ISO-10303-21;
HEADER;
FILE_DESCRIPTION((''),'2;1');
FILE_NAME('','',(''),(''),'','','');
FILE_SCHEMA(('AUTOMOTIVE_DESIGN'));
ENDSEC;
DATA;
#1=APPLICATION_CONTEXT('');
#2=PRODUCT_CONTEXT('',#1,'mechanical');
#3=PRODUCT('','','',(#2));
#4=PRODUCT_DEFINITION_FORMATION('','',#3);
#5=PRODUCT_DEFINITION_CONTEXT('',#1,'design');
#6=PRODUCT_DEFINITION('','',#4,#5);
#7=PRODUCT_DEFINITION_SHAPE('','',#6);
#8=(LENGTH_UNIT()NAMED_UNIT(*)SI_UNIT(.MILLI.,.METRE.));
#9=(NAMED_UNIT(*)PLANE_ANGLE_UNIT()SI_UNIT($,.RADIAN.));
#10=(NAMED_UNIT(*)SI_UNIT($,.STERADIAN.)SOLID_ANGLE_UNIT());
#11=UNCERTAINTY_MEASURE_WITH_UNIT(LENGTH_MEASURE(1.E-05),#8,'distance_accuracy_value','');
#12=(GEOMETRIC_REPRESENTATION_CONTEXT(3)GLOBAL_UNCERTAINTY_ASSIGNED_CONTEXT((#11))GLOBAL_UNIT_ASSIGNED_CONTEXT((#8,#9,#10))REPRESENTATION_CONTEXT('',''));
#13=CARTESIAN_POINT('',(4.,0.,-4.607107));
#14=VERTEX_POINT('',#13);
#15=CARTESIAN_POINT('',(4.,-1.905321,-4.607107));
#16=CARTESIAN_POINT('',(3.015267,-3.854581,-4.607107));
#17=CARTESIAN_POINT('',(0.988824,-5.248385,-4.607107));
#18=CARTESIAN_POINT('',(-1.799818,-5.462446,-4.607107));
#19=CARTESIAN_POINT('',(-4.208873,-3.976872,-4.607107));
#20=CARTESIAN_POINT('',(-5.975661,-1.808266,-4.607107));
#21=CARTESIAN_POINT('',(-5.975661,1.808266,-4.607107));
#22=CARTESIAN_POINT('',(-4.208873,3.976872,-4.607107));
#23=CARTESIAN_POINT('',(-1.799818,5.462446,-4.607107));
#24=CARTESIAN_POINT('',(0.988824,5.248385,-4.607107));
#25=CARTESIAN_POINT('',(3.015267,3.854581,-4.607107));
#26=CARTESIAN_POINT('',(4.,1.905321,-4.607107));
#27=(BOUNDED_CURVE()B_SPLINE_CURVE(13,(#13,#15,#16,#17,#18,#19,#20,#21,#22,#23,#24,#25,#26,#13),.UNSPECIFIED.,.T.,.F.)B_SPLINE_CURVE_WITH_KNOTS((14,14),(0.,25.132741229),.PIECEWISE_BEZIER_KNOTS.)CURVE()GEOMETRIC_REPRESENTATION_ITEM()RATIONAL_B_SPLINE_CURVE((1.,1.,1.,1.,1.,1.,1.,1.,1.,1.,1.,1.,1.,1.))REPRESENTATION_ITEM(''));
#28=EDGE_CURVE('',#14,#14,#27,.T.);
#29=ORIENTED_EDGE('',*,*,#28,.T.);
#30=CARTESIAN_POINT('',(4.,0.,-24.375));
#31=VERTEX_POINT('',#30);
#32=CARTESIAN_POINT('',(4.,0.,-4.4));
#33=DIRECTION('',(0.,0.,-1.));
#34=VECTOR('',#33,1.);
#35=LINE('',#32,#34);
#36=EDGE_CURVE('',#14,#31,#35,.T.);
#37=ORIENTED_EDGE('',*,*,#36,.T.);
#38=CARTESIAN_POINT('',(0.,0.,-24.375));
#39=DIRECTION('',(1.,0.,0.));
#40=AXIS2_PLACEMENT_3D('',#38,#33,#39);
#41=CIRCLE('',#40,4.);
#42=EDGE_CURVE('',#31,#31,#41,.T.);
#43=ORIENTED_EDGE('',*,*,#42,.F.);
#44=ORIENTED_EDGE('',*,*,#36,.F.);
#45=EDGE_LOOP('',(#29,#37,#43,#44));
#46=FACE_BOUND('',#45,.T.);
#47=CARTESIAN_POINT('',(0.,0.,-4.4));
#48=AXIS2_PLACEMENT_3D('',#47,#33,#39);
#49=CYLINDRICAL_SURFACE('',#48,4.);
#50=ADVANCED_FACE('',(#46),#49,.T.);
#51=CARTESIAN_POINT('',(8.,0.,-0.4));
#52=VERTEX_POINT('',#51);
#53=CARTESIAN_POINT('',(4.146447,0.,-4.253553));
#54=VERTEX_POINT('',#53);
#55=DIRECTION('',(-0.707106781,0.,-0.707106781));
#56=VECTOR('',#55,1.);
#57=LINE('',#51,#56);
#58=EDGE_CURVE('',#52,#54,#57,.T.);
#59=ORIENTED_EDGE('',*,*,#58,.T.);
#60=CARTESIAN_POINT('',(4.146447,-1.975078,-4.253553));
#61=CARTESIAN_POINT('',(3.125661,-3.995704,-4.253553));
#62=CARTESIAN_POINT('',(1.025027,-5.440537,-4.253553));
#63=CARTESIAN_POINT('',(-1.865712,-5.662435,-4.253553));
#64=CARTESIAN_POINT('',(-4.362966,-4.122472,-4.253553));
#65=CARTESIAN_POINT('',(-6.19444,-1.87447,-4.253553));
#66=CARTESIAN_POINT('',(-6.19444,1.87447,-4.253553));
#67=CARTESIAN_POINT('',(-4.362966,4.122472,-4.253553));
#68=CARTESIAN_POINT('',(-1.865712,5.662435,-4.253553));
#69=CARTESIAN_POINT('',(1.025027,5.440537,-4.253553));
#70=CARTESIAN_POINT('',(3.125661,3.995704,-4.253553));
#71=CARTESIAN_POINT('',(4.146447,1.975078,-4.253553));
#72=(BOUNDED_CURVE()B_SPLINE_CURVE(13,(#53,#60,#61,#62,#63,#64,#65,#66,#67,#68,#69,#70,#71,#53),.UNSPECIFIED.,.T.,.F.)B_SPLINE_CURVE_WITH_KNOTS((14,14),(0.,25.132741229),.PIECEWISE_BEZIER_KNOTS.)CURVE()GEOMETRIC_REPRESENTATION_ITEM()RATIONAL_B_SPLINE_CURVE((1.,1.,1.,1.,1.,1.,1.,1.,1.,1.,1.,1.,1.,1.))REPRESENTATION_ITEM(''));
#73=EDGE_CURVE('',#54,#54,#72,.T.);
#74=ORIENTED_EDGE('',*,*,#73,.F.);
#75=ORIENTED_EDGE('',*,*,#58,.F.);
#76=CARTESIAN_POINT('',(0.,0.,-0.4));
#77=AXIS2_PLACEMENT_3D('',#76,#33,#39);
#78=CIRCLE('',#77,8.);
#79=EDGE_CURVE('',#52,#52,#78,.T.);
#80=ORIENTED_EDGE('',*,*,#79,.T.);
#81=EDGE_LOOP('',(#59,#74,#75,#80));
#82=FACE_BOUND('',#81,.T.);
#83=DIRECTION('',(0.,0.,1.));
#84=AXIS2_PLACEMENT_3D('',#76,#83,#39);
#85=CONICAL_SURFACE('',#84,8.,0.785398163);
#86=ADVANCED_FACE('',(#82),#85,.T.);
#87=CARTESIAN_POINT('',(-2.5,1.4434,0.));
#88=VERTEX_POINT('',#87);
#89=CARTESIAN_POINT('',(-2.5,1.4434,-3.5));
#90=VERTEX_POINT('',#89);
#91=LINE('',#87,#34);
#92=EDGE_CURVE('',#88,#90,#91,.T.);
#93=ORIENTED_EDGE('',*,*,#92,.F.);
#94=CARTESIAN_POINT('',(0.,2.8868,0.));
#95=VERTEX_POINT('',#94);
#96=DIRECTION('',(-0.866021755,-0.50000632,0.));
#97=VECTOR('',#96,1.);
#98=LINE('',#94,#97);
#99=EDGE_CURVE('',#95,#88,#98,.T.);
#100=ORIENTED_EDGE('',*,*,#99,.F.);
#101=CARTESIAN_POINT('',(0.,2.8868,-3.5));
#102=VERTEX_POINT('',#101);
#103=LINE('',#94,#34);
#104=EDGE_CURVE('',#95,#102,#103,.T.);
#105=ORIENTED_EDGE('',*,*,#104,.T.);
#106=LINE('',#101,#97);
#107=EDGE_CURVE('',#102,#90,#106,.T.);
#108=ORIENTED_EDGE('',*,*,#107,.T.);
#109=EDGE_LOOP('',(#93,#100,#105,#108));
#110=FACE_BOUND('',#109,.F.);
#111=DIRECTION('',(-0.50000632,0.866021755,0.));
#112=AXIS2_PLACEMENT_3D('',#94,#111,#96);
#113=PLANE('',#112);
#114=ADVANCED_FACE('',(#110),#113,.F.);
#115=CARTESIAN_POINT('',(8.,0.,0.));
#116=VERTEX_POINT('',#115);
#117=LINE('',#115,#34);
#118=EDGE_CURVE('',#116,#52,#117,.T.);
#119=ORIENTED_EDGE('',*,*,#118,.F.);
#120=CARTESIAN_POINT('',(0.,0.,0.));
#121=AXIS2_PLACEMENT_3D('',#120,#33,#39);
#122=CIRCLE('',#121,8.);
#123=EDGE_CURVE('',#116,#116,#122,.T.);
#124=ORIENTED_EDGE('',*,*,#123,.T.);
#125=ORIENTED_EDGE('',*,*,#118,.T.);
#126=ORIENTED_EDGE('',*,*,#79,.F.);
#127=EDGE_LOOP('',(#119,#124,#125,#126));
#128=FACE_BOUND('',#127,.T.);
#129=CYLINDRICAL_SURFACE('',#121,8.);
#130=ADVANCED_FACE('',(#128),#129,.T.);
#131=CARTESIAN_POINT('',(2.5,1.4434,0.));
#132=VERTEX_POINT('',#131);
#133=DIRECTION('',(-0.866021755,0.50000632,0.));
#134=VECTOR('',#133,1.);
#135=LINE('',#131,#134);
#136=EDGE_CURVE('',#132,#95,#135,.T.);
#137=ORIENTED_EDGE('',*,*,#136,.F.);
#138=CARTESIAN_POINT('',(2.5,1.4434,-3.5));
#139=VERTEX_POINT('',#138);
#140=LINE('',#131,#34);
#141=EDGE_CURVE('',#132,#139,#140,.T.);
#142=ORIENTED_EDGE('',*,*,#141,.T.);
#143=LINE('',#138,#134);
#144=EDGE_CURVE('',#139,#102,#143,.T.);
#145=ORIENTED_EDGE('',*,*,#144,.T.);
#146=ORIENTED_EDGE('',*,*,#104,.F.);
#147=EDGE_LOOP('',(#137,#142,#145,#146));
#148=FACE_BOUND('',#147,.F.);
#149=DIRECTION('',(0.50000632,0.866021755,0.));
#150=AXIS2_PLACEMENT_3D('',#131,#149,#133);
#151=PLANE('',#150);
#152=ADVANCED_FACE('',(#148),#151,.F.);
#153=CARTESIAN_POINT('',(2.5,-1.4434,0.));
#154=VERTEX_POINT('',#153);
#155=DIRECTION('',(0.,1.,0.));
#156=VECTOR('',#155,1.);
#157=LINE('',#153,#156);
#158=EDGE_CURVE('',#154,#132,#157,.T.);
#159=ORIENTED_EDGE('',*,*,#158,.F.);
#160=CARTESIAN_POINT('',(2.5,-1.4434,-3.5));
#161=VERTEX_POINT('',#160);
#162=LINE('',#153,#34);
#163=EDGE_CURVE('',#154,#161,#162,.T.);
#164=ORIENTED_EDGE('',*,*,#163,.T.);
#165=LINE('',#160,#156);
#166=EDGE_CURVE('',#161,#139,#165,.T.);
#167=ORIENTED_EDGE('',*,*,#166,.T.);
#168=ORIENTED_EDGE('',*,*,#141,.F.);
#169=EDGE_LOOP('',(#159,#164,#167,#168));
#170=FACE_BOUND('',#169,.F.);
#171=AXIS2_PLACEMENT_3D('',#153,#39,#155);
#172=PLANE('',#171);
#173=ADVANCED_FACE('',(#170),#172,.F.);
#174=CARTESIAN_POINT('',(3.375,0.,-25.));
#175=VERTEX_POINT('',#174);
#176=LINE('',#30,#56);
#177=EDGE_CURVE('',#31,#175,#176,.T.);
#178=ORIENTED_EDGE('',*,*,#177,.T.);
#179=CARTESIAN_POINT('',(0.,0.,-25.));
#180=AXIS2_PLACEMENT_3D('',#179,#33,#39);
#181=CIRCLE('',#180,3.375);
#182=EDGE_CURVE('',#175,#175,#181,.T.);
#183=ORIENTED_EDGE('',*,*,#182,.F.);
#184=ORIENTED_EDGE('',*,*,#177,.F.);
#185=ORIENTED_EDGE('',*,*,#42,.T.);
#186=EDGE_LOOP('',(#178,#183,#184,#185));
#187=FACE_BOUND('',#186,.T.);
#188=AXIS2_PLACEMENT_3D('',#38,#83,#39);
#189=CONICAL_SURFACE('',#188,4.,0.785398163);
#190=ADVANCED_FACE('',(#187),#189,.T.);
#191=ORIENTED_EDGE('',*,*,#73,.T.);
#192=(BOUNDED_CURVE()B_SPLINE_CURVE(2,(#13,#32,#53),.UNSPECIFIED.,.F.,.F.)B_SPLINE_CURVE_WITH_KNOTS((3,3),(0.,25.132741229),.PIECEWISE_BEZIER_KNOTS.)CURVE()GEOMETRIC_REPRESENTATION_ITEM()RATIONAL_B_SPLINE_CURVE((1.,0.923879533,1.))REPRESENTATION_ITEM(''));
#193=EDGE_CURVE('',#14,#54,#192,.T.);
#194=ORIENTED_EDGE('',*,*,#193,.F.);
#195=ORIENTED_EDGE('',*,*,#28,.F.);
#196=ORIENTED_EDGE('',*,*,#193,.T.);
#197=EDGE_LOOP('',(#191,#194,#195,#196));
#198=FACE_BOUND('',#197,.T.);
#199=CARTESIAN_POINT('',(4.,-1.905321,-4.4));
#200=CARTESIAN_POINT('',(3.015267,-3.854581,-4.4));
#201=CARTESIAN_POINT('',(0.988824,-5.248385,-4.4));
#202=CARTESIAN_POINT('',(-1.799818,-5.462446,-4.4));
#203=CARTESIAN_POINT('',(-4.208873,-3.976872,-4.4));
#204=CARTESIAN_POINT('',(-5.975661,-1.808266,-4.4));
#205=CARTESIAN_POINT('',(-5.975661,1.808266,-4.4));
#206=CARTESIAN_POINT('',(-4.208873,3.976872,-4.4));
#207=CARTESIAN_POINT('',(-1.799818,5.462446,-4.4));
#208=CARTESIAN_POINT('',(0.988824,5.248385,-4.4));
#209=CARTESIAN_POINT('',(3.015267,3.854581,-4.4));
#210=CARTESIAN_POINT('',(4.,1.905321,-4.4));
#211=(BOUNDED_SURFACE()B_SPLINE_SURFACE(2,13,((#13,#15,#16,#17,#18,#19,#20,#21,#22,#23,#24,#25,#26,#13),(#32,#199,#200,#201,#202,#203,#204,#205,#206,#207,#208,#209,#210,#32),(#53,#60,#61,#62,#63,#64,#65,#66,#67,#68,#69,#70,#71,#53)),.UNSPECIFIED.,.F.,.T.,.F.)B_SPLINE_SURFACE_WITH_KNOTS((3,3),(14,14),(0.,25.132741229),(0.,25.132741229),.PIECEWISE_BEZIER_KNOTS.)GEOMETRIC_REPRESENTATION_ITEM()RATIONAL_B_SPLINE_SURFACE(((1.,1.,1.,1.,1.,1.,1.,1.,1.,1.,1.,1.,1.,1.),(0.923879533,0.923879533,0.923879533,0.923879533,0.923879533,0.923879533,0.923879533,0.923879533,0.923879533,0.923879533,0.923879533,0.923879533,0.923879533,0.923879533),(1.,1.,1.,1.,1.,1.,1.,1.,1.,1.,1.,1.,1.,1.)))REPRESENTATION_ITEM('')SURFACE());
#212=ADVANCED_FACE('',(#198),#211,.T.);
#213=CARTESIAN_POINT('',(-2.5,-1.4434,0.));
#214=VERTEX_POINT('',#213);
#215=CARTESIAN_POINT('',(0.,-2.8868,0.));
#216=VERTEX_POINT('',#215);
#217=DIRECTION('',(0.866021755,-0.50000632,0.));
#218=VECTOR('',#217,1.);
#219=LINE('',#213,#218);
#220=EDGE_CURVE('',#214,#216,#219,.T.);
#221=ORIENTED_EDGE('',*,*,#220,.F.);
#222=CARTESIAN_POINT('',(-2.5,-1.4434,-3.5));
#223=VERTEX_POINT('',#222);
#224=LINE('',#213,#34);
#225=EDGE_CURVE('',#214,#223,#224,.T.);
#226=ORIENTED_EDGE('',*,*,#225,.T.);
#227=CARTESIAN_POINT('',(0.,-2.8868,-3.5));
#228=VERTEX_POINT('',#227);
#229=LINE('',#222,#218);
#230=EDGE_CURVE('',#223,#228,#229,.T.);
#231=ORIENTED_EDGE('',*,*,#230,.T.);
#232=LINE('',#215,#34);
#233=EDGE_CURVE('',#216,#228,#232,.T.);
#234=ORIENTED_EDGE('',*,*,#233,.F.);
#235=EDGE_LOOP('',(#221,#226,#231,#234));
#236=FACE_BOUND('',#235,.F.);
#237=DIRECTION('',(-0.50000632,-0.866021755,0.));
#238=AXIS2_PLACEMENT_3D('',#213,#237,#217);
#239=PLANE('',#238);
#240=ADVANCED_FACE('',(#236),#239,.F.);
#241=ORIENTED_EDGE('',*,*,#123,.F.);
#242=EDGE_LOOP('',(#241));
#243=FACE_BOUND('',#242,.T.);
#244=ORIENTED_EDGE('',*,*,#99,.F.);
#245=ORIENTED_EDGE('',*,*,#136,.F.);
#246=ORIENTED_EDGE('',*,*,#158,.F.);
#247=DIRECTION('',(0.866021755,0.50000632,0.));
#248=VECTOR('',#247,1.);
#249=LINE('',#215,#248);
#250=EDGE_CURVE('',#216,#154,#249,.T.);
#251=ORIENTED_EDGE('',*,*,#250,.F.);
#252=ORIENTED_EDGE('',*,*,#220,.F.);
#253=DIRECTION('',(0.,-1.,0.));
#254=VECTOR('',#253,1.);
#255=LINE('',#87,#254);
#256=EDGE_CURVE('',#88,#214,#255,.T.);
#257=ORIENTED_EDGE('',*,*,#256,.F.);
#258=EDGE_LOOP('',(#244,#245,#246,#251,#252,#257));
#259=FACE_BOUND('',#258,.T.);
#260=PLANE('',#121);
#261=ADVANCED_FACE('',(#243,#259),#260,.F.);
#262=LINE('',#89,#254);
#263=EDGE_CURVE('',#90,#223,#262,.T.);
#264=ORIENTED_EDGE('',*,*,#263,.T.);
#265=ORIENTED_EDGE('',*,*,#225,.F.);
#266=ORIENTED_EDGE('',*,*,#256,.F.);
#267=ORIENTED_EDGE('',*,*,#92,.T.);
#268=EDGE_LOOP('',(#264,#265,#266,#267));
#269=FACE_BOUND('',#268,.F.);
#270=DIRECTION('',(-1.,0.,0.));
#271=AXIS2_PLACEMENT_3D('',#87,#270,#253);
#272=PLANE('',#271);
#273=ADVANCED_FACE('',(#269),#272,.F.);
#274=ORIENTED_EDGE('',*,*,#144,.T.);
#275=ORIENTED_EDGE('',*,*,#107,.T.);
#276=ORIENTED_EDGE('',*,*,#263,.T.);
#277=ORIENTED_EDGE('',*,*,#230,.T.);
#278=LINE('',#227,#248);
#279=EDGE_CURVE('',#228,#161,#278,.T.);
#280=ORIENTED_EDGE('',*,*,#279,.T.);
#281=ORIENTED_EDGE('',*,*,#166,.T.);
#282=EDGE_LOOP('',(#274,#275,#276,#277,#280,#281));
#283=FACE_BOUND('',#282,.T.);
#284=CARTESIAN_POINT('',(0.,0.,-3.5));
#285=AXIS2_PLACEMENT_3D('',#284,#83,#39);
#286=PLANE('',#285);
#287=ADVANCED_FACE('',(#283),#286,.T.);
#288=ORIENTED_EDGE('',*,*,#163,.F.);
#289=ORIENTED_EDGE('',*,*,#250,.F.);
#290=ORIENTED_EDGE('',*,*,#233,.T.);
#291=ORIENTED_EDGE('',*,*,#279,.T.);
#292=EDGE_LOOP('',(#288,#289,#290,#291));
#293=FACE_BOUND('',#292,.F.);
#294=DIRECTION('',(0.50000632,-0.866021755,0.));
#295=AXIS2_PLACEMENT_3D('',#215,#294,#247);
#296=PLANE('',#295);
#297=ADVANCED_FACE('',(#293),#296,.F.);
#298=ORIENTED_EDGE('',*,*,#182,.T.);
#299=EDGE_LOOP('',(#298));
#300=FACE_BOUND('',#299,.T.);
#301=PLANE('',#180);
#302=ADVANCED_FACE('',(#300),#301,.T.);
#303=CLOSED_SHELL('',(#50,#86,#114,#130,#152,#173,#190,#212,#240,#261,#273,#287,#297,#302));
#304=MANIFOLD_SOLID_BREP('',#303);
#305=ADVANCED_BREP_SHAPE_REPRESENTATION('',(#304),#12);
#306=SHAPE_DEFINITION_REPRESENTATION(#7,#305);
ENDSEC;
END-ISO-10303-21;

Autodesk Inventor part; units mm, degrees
ref_plane "YZ Plane" through (0, 0, 0) normal (1, 0, 0) x (0, 1, 0)
sketch "Sketch1" plane through (0, 0, 0) normal (0, 1, 0) x (-1, 0, 0)
  point P0 (0, 0)
sketch "Sketch2" plane through (0, 0, 0) normal (0, 1, 0) x (-1, 0, 0)
  line L0 (-4, -25) -> (0, -25)
  line L1 (-4, -4.4) -> (-4, -25)
  line L2 (-8, -0.4) -> (-4, -4.4)
  line L3 (-8, 0) -> (-8, -0.4)
  line L4 (0, 0) -> (-8, 0)
  line L5 (0, -25) -> (0, 0)
  line L6 (0, -25) -> (0, 0)
  line L7 (0, -30) -> (0, 5) projected
  line L8 (1.6, 0) -> (-9.6, 0) projected
  dimension "d3" = 8
  dimension "d5" = 4
  dimension "d7" = 25
  dimension "ParC" = 0.4
  dimension "d22" = 0
  dimension "d23" = 0
  dimension "d43" = 45
revolve "Revolution1" add sketch "Sketch2" angle 360 about axis through (0, 0, -25) along (0, 0, -1)
sketch "Sketch3" plane through (0, 0, 0) normal (0, 0, 1) x (1, 0, 0)
  line L0 (-2.5, 1.4434) -> (-2.5, -1.4434)
  line L1 (0, 2.8868) -> (-2.5, 1.4434)
  line L2 (2.5, 1.4434) -> (0, 2.8868)
  line L3 (2.5, -1.4434) -> (2.5, 1.4434)
  line L4 (0, -2.8868) -> (2.5, -1.4434)
  line L5 (-2.5, -1.4434) -> (0, -2.8868)
  circle A0 centre (0, 0) radius 2.5 construction
  circle A1 centre (0, 0) radius 4 construction
  dimension "d11" = 5
  dimension "d13" = 120
  dimension "d15" = 120
extrude "Extrusion1" cut sketch "Sketch3" against normal blind 3.5
fillet "Fillet1" radius 0.5 1 edges at (-4, 0, -4.4)
chamfer "Chamfer1" distance 0.625 angle 45 1 edges at (-4, 0, -25) measured on face at (-0.9596, 3.8832, -18.2024)
thread "Thread1" size "M8x1.25" class "6g" standard "ISO Metric profile" length 18.1
ref_plane "MSC_PF1" through (0, 0, 0) normal (1, 0, 0) x (0, 1, 0)
ref_plane "MSC_PT1" through (0, 0, 0) normal (0, 0, -1) x (-1, 0, 0)
equation "\"d3\" = 0.5 * dk"
equation "\"d5\" = 0.5 * NND"
equation "\"d7\" = NLG"
equation "\"d43\" = 0.5 * ang"
equation "\"d18\" = r"
equation "\"d19\" = 0.5 * PTC"
equation "\"d39\" = 0.5 * PTC"
equation "\"d11\" = ParS"
equation "\"d16\" = ParT"
equation "\"NND\" = 8"
equation "\"PTC\" = 1.25"
equation "\"dk\" = 16"
equation "\"ParK\" = 4.4"
equation "\"ParS\" = 5"
equation "\"ParT\" = 3.5"
equation "\"r\" = 0.5"
equation "\"NLG\" = 25"
equation "\"ang\" = 90deg"
equation "\"THREADDIA\" = NND"
properties part number "ISO 10642 - M8x25" material "Steel, Mild"
